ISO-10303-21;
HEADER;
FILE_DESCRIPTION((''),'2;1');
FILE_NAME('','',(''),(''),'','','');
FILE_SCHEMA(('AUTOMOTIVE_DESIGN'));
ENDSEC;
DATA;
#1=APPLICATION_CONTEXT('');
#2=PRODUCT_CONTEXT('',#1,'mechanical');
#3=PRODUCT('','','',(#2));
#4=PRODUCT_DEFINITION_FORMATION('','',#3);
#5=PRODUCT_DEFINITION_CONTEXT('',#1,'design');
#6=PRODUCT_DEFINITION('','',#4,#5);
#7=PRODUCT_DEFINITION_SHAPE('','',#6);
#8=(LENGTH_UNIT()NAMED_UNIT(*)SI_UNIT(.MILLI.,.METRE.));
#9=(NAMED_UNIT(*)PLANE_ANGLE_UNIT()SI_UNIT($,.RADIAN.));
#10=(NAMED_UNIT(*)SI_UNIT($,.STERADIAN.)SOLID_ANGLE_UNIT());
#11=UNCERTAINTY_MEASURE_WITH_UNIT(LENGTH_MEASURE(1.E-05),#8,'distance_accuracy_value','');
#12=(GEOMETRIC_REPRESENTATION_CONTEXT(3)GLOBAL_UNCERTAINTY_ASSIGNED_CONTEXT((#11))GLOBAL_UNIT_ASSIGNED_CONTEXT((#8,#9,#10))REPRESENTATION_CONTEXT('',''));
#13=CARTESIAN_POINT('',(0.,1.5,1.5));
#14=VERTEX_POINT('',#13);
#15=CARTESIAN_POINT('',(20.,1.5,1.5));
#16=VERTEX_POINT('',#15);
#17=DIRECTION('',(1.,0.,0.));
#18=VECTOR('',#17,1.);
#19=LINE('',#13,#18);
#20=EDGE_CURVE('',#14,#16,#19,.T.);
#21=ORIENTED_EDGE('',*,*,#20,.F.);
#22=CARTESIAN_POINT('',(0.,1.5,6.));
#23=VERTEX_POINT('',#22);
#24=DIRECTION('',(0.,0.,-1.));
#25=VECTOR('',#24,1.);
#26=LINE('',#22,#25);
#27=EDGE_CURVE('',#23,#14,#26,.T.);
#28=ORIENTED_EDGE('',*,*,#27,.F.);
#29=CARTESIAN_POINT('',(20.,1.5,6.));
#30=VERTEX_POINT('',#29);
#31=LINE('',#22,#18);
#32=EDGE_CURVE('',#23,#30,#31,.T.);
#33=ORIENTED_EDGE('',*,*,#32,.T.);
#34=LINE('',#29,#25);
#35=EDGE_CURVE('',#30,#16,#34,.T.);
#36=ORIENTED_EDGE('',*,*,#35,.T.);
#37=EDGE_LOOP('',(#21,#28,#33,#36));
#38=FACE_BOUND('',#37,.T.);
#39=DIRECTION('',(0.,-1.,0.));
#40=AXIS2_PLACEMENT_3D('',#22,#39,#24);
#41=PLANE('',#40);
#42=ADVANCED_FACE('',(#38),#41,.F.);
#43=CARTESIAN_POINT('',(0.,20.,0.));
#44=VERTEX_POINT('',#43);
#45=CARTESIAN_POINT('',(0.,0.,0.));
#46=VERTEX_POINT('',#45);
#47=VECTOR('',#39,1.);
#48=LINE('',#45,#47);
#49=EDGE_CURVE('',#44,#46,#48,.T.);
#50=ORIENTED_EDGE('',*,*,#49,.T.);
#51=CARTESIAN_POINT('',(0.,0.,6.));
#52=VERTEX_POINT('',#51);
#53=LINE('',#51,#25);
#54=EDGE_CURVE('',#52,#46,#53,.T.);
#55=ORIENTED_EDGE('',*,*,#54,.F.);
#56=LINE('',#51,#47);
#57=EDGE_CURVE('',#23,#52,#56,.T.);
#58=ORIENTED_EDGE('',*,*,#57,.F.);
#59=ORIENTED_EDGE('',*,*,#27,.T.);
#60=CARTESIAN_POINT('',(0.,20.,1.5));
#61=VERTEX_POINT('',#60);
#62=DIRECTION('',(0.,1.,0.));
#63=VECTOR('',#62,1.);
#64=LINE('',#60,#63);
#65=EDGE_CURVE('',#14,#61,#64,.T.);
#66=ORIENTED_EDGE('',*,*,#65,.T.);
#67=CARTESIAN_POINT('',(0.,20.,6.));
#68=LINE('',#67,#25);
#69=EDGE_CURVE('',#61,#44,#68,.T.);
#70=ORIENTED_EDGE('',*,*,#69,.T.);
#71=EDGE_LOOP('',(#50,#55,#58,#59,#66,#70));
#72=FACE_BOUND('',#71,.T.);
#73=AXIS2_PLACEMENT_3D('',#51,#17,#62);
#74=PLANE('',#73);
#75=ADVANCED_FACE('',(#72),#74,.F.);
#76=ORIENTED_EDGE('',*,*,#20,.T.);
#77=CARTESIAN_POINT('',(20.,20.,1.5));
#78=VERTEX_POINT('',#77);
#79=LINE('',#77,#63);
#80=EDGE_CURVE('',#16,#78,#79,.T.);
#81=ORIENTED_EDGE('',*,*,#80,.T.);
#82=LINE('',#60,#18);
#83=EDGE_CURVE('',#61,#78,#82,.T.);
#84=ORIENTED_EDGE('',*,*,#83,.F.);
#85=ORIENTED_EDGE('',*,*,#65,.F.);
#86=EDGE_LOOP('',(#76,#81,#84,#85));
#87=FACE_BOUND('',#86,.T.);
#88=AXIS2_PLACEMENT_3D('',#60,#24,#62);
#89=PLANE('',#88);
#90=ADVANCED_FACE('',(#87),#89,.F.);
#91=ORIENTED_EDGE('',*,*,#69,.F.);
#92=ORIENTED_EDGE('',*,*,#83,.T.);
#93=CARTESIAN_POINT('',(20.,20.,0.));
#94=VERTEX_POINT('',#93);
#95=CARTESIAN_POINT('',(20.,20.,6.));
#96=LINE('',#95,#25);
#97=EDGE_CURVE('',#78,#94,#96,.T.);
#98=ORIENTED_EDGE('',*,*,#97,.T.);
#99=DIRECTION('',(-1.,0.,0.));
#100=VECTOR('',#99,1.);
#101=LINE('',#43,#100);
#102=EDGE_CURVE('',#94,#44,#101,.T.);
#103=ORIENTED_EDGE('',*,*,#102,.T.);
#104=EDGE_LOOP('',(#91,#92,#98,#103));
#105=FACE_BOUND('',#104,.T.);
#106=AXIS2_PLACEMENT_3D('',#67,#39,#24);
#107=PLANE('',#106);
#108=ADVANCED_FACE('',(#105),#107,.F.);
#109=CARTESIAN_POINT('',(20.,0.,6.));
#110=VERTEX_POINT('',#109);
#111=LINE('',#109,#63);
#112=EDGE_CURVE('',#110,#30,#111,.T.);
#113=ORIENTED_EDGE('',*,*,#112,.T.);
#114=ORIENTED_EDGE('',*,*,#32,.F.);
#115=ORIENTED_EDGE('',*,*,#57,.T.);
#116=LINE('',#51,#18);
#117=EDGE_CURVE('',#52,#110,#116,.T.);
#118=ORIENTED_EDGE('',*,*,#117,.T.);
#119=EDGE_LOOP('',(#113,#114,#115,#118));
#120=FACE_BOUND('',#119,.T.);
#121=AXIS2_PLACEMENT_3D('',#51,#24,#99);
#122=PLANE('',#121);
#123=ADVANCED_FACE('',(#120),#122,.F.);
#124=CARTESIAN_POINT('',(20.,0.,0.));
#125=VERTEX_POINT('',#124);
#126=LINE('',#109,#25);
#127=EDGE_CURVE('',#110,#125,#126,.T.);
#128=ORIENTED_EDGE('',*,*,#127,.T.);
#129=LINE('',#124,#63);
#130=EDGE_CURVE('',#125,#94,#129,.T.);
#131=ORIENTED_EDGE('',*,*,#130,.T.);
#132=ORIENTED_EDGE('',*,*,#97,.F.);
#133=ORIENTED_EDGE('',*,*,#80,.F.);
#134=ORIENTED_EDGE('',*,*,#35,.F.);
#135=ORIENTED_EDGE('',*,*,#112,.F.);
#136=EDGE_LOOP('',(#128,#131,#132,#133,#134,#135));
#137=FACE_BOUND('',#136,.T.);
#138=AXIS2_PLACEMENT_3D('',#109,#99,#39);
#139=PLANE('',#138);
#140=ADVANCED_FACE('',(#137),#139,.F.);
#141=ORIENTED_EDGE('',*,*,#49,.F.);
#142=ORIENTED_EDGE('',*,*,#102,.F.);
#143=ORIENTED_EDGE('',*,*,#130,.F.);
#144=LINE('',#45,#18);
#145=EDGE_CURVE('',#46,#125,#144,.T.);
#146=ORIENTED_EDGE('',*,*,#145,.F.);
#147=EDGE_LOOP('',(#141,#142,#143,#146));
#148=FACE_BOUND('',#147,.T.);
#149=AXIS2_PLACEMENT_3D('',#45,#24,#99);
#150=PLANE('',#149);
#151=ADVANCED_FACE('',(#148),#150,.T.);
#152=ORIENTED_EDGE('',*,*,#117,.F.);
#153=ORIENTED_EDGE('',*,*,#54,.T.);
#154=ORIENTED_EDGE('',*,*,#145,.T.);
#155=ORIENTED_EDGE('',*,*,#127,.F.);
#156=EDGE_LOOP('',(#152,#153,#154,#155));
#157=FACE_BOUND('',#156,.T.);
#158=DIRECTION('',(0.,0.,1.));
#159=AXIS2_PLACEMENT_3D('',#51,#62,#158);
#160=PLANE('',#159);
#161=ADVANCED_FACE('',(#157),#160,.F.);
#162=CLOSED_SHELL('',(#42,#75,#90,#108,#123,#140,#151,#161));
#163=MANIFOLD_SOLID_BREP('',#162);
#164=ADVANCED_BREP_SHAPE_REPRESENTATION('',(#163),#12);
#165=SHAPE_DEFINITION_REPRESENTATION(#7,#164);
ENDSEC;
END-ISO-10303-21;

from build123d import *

# Parameters (mm, degrees)
CROQUIS1_W              = 20
CROQUIS1_H              = 20
SALIENTE_EXTRUIR1_DEPTH = 6
CROQUIS2_W              = 4.5
CROQUIS2_H              = 18.5
CORTAR_EXTRUIR1_DEPTH   = 29.91366459


with BuildPart() as part:
    # Croquis1 → Saliente-Extruir1 (new body)
    with BuildSketch(Plane.XY):
        with Locations((10, 10)):
            Rectangle(CROQUIS1_W, CROQUIS1_H)
    extrude(amount=SALIENTE_EXTRUIR1_DEPTH)

    # Croquis2 → Cortar-Extruir1 (cut, through all)
    with BuildSketch(Plane(origin=(20, 0, 0), x_dir=(0, 0, -1), z_dir=(1, 0, 0))):
        with Locations((-3.75, 10.75)):
            Rectangle(CROQUIS2_W, CROQUIS2_H)
    extrude(amount=-CORTAR_EXTRUIR1_DEPTH, mode=Mode.SUBTRACT)


solid = part.part
